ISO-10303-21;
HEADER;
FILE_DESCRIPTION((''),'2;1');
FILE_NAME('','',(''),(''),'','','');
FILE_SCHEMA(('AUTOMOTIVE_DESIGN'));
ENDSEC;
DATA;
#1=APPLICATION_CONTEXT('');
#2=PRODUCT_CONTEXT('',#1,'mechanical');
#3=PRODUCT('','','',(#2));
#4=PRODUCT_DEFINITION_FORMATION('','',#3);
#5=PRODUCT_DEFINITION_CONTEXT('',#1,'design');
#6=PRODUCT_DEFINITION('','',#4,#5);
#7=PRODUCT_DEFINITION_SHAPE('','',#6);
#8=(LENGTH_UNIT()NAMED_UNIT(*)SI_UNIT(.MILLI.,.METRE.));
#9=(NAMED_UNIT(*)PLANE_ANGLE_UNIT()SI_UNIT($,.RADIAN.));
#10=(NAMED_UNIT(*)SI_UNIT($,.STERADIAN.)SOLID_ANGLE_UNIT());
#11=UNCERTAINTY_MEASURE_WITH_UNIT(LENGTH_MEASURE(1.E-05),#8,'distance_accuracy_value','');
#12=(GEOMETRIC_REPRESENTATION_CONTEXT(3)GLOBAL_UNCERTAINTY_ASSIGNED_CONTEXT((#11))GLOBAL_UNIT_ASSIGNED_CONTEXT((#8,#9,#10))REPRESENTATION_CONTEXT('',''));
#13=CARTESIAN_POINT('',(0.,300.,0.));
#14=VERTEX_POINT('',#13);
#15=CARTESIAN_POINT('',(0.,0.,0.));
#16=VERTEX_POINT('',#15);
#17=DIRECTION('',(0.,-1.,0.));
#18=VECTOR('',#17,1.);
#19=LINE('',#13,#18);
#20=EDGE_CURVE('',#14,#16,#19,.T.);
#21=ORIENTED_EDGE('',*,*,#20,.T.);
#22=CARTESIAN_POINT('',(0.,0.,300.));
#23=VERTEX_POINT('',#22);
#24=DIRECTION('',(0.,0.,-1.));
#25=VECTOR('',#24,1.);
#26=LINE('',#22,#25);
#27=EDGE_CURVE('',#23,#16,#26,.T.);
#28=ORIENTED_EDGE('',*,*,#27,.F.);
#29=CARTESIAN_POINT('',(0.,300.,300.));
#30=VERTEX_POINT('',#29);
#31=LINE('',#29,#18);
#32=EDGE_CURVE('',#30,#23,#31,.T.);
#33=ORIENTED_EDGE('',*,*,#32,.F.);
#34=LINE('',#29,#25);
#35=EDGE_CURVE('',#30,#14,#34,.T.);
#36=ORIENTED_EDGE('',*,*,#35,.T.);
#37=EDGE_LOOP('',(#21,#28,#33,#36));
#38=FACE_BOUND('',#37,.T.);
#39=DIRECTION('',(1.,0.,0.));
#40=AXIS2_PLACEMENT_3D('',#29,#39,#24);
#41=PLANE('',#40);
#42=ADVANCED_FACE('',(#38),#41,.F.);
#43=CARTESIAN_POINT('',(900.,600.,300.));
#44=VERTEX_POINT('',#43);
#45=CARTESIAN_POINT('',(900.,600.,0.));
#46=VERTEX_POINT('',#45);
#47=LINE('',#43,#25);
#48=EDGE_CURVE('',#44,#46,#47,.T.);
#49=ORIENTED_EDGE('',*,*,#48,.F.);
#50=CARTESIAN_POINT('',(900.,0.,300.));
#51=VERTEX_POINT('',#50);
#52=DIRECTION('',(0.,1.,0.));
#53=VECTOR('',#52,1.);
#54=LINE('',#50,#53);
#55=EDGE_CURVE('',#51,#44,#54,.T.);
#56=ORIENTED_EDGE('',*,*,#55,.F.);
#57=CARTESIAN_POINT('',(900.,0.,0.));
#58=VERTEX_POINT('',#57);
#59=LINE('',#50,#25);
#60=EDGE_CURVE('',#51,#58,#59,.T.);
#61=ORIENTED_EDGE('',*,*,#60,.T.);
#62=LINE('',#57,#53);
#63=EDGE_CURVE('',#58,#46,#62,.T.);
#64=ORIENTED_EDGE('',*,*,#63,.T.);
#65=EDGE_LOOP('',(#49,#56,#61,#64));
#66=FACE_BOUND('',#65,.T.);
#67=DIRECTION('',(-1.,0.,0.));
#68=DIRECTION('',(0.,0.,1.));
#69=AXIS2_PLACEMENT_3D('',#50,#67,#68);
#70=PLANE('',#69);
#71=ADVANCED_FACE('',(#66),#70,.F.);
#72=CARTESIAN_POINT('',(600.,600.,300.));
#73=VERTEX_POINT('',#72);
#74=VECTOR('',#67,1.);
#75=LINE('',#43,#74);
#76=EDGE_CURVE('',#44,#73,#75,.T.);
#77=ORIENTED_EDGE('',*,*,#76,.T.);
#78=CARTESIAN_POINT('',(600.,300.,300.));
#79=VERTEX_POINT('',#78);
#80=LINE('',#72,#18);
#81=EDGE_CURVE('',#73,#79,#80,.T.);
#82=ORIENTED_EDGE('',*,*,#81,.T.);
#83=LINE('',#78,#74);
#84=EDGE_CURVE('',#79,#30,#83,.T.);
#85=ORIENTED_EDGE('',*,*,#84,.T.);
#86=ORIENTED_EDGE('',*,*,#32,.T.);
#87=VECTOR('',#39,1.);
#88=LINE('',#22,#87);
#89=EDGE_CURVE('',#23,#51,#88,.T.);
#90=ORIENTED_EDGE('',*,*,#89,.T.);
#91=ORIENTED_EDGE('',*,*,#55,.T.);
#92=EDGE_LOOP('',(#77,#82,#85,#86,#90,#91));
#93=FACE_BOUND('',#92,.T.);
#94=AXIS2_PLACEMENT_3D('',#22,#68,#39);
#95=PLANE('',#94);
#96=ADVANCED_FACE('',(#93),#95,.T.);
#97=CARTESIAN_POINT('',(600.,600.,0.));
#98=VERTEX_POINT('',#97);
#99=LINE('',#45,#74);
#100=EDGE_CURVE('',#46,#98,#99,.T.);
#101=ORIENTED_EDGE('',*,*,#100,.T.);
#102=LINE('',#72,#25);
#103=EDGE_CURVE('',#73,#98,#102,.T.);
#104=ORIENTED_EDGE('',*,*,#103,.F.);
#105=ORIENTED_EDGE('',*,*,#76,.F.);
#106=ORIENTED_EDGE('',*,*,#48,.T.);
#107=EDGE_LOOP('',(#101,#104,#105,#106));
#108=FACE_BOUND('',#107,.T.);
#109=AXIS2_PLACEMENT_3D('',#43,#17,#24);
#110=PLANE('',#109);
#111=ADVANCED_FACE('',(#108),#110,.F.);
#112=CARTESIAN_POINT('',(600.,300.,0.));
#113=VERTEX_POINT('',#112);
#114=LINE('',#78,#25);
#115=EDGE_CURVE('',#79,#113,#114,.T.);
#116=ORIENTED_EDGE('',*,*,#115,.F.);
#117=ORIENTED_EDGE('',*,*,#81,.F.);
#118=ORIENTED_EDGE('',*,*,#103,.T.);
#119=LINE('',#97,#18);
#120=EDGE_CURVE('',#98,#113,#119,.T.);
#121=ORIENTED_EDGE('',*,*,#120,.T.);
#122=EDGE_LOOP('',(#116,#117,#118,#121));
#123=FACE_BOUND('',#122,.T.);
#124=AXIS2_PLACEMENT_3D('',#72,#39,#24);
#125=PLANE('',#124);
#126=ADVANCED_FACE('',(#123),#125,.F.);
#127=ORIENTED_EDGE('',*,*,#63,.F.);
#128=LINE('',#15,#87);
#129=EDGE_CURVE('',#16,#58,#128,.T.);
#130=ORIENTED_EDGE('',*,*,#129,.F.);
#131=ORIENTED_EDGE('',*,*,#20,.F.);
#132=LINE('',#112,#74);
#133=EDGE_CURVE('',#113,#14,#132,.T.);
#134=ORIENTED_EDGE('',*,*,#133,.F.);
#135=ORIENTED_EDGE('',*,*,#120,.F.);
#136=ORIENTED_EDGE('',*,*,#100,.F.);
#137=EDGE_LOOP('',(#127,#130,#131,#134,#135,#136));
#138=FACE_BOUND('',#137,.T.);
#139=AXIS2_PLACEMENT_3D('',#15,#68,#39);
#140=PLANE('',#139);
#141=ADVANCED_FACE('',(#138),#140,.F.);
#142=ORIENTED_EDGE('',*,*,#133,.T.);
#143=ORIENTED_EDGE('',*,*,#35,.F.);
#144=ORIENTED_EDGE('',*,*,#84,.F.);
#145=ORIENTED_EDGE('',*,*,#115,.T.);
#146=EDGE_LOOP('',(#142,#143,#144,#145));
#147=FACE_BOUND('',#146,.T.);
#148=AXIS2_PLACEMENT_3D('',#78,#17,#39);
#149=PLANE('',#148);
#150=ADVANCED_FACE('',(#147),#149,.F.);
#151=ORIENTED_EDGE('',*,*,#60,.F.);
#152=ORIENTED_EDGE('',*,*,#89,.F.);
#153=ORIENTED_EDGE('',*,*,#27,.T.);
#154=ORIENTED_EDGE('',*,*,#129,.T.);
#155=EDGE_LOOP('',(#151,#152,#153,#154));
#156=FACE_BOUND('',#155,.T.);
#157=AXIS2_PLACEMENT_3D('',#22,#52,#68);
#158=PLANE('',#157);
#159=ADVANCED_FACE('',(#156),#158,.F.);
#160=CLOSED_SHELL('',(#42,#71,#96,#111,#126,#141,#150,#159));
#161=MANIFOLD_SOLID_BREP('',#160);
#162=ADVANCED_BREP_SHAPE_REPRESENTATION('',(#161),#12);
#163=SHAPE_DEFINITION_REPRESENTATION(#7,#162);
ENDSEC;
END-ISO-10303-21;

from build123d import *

# Parameters (mm, degrees)
BOSS_EXTRU_1_DEPTH = 300


with BuildPart() as part:
    # Esquisse1 → Boss.-Extru.1 (new body)
    with BuildSketch(Plane.XY):
        Polygon((0, 0), (900, 0), (900, 600), (600, 600), (600, 300), (0, 300), align=None)
    extrude(amount=BOSS_EXTRU_1_DEPTH)


solid = part.part
